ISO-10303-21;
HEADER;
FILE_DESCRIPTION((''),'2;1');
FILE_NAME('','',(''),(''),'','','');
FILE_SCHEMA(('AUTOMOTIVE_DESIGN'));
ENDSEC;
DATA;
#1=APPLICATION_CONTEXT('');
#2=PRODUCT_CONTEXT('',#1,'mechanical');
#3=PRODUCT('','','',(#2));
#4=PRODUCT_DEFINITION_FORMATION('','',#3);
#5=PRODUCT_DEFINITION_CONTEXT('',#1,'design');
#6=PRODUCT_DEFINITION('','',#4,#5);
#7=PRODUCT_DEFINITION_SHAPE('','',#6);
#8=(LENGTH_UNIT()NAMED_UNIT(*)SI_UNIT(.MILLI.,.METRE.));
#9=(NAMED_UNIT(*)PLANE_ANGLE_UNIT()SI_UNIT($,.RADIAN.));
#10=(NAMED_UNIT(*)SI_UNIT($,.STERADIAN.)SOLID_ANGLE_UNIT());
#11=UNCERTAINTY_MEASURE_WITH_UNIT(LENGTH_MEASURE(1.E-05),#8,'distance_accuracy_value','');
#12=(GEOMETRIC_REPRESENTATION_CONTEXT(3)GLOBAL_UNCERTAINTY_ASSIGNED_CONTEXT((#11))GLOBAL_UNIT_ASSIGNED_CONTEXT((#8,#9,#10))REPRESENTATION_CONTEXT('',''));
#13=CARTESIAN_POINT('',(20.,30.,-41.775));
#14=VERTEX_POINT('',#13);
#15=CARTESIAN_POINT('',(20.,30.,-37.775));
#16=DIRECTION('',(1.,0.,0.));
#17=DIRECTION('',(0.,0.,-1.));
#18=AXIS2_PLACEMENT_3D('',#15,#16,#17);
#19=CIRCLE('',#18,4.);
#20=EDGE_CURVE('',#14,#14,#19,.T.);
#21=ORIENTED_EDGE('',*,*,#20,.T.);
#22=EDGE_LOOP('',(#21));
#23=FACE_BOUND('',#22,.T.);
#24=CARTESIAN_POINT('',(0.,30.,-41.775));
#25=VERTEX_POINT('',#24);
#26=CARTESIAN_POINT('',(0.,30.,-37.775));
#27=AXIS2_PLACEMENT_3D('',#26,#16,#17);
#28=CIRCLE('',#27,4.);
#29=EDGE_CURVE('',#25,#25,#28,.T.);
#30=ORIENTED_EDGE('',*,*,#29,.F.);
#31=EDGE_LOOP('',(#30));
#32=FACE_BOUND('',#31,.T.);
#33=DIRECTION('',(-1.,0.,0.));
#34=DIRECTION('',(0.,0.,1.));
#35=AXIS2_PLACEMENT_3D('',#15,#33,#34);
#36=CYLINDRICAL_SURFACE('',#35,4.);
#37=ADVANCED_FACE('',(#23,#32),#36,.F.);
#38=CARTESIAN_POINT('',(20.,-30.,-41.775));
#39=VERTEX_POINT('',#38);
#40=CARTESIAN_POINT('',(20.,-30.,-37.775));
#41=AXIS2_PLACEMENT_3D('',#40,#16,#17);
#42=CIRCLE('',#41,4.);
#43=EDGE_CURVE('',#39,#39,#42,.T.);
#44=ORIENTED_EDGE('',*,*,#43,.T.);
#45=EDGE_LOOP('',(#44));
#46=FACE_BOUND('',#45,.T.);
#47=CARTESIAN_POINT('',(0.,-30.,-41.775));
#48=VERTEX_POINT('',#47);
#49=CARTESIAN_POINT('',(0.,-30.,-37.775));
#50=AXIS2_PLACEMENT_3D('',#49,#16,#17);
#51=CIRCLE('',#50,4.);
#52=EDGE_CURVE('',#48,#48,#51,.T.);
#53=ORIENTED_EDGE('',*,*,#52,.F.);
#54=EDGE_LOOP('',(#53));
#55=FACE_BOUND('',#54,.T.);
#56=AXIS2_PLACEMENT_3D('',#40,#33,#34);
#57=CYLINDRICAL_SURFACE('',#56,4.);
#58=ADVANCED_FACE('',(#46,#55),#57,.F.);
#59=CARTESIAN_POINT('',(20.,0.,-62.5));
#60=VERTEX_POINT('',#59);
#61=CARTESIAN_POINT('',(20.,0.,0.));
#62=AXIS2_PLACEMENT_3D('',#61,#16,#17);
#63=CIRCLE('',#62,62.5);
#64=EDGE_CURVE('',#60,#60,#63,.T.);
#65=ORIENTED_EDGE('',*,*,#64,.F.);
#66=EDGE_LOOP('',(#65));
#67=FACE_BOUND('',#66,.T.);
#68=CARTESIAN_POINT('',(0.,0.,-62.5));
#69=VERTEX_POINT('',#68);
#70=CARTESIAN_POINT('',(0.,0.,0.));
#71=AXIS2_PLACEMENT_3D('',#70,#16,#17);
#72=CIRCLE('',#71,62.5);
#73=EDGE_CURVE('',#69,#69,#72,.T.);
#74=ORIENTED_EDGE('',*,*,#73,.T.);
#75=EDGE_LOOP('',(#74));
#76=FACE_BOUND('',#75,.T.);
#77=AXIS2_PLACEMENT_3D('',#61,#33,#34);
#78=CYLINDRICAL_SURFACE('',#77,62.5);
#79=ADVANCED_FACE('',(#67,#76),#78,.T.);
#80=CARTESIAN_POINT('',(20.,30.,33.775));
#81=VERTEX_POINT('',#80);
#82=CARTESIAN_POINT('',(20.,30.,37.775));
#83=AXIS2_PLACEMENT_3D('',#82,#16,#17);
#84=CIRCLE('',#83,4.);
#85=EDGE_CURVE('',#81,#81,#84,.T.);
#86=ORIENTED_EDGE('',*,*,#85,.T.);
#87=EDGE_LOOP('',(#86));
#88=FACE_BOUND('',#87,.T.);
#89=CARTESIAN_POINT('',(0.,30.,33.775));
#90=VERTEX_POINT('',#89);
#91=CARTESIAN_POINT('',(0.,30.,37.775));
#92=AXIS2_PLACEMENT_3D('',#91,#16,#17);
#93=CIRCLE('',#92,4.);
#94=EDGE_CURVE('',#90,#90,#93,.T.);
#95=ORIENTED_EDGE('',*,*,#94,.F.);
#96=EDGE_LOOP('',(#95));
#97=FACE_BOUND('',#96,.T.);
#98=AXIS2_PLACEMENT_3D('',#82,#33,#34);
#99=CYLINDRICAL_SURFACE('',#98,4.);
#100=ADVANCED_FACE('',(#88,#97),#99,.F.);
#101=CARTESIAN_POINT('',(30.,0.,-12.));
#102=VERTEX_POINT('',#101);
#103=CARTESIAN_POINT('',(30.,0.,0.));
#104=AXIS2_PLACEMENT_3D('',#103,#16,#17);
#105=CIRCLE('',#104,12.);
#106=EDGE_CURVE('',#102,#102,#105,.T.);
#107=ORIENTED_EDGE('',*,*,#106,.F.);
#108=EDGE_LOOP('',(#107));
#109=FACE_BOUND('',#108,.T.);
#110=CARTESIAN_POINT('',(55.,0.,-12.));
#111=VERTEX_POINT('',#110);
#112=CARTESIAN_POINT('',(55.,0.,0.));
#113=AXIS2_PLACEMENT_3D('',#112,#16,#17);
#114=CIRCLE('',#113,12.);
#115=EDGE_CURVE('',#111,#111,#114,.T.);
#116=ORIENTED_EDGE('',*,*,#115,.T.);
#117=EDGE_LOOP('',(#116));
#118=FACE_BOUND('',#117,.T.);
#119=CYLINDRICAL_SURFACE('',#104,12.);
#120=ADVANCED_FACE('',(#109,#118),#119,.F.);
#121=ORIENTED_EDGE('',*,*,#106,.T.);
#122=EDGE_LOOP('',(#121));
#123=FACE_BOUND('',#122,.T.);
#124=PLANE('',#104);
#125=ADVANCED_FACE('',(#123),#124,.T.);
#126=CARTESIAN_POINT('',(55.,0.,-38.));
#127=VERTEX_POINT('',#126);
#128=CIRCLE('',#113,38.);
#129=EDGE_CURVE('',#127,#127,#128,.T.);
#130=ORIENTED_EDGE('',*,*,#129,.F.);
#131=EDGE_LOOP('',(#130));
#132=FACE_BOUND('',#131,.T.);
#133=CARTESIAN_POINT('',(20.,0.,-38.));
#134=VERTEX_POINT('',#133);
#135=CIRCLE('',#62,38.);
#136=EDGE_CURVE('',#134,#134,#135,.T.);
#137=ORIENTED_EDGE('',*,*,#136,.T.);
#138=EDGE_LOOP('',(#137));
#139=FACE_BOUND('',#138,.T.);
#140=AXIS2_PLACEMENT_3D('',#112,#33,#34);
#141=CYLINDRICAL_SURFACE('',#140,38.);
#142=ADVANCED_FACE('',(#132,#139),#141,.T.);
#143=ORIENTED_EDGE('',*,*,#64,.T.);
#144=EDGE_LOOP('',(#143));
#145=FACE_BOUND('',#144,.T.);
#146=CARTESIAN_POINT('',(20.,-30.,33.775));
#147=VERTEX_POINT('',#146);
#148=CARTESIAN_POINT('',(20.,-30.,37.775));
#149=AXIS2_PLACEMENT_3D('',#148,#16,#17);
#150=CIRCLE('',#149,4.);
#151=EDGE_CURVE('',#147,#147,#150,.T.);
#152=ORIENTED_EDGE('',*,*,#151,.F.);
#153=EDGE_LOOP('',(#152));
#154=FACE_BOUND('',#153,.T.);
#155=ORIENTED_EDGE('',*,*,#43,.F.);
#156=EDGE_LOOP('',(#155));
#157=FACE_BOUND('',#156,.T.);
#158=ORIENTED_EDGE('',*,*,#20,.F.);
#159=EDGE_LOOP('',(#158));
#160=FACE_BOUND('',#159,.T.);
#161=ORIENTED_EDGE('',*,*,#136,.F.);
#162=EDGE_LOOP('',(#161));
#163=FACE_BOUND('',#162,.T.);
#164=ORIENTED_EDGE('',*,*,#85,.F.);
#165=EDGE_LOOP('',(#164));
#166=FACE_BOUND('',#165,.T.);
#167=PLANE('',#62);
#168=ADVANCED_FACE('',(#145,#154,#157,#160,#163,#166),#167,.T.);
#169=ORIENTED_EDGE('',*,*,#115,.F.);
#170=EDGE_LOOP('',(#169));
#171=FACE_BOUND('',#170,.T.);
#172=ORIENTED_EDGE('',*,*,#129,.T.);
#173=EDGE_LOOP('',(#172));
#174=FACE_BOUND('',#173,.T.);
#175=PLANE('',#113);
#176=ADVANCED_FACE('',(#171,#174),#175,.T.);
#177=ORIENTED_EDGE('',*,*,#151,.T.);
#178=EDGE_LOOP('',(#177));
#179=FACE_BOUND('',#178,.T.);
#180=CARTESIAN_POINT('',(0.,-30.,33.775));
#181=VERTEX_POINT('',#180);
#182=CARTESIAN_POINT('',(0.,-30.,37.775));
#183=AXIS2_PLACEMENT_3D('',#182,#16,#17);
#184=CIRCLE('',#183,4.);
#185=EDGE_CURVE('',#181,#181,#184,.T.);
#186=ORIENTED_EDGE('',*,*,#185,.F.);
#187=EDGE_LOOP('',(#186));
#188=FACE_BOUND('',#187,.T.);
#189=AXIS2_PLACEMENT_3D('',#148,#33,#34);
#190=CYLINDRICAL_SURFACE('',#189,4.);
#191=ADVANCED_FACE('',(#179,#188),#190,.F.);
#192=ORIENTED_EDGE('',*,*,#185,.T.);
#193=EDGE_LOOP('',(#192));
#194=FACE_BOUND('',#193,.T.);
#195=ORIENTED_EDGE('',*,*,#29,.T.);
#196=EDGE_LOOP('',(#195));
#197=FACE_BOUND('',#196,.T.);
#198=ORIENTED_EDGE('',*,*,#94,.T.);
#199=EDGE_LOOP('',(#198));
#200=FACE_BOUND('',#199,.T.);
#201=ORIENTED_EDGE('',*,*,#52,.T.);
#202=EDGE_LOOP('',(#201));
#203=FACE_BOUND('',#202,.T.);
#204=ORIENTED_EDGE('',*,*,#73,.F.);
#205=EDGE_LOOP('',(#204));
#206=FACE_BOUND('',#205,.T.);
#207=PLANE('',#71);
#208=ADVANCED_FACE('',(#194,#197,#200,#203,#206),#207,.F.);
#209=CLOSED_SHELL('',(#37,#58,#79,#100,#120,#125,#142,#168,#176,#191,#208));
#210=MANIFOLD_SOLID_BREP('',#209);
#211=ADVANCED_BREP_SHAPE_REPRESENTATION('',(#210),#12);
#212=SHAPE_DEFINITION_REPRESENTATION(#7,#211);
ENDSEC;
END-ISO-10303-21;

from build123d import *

# Parameters (mm, degrees)
ESBO_O1_R                = 62.5
ESBO_O1_R_2              = 4
RESSALTO_EXTRUS_O1_DEPTH = 20
ESBO_O2_R                = 38
RESSALTO_EXTRUS_O2_DEPTH = 35
ESBO_O4_R                = 12
CORTE_EXTRUS_O1_DEPTH    = 25


with BuildPart() as part:
    # Esboço1 → Ressalto-extrusão1 (new body)
    with BuildSketch(Plane(origin=(0, 0, 0), x_dir=(0, 0, -1), z_dir=(1, 0, 0))):
        Circle(ESBO_O1_R)
        with Locations((37.775, 30)):
            Circle(ESBO_O1_R_2, mode=Mode.SUBTRACT)
        with Locations((-37.775, 30)):
            Circle(ESBO_O1_R_2, mode=Mode.SUBTRACT)
        with Locations((37.775, -30)):
            Circle(ESBO_O1_R_2, mode=Mode.SUBTRACT)
        with Locations((-37.775, -30)):
            Circle(ESBO_O1_R_2, mode=Mode.SUBTRACT)
    extrude(amount=RESSALTO_EXTRUS_O1_DEPTH)

    # Esboço2 → Ressalto-extrusão2 (add)
    with BuildSketch(Plane(origin=(20, 0, 0), x_dir=(0, 0, -1), z_dir=(1, 0, 0))):
        Circle(ESBO_O2_R)
    extrude(amount=RESSALTO_EXTRUS_O2_DEPTH)

    # Esboço4 → Corte-extrusão1 (cut)
    with BuildSketch(Plane(origin=(55, 0, 0), x_dir=(0, 0, -1), z_dir=(1, 0, 0))):
        Circle(ESBO_O4_R)
    extrude(amount=-CORTE_EXTRUS_O1_DEPTH, mode=Mode.SUBTRACT)


solid = part.part
